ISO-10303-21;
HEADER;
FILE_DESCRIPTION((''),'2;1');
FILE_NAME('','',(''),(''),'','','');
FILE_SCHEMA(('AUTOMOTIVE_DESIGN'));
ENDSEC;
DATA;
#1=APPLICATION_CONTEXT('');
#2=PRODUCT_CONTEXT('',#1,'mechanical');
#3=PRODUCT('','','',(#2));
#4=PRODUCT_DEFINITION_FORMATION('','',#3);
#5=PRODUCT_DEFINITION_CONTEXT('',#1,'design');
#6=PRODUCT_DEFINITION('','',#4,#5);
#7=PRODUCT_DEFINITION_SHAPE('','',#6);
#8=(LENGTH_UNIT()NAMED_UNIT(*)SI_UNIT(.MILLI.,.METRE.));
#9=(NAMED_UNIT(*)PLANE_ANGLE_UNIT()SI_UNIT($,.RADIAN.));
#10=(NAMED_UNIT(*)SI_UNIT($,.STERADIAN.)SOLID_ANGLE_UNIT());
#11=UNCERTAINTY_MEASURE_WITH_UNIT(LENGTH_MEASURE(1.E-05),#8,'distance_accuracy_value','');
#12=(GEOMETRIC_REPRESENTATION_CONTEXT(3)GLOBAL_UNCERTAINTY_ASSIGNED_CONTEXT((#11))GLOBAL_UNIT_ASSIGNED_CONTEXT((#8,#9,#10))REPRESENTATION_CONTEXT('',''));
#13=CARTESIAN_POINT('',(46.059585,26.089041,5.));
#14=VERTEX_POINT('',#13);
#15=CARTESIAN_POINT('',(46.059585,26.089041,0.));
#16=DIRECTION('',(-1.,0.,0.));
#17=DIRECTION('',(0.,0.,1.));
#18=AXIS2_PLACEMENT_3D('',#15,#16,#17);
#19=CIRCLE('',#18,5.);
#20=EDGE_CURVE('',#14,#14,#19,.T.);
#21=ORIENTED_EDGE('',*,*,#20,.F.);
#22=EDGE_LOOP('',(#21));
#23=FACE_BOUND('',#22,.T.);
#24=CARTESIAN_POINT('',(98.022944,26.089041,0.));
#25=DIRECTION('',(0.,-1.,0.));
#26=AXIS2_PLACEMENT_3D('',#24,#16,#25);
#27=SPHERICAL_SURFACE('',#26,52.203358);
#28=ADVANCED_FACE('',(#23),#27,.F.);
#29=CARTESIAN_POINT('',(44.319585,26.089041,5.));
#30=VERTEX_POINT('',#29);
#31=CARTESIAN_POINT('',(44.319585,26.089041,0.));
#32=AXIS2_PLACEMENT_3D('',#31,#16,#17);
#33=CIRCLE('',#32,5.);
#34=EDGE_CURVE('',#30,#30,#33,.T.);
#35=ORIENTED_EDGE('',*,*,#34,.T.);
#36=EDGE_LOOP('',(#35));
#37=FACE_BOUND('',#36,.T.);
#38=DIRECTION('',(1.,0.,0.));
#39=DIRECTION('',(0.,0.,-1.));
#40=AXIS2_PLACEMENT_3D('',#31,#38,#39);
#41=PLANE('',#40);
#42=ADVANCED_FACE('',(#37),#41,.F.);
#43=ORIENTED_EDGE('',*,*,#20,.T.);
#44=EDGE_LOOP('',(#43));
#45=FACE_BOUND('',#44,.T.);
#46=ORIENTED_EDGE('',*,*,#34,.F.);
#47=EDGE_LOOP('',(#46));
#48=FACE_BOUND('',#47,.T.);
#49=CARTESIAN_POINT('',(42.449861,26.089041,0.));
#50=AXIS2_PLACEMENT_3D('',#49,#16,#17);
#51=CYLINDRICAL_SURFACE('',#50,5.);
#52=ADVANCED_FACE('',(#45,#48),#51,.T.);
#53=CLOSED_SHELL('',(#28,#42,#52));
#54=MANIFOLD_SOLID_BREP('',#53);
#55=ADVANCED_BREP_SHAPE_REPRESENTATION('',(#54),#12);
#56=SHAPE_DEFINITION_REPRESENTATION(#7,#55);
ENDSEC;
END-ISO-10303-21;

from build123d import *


with BuildPart() as part:
    # 草图1 → 旋转1 (revolve)
    with BuildSketch(Plane.XY, mode=Mode.PRIVATE) as revolve_1_sk:
        with BuildLine():
            Line((44.319585498, 26.089041149), (44.319585498, 31.089041149))
            Line((44.319585498, 31.089041149), (46.059585498, 31.089041149))
            ThreePointArc((46.059585498, 31.089041149), (45.879620104, 28.591919489), (45.819585612, 26.089041149))
            Line((45.819585612, 26.089041149), (44.319585498, 26.089041149))
        make_face()
    revolve(revolve_1_sk.sketch.rotate(Axis((42.449861114, 26.089041149, 0), (1, 0, 0)), 180), axis=Axis((42.449861114, 26.089041149, 0), (1, 0, 0)))  # turned: the seam where the file's is


solid = part.part
